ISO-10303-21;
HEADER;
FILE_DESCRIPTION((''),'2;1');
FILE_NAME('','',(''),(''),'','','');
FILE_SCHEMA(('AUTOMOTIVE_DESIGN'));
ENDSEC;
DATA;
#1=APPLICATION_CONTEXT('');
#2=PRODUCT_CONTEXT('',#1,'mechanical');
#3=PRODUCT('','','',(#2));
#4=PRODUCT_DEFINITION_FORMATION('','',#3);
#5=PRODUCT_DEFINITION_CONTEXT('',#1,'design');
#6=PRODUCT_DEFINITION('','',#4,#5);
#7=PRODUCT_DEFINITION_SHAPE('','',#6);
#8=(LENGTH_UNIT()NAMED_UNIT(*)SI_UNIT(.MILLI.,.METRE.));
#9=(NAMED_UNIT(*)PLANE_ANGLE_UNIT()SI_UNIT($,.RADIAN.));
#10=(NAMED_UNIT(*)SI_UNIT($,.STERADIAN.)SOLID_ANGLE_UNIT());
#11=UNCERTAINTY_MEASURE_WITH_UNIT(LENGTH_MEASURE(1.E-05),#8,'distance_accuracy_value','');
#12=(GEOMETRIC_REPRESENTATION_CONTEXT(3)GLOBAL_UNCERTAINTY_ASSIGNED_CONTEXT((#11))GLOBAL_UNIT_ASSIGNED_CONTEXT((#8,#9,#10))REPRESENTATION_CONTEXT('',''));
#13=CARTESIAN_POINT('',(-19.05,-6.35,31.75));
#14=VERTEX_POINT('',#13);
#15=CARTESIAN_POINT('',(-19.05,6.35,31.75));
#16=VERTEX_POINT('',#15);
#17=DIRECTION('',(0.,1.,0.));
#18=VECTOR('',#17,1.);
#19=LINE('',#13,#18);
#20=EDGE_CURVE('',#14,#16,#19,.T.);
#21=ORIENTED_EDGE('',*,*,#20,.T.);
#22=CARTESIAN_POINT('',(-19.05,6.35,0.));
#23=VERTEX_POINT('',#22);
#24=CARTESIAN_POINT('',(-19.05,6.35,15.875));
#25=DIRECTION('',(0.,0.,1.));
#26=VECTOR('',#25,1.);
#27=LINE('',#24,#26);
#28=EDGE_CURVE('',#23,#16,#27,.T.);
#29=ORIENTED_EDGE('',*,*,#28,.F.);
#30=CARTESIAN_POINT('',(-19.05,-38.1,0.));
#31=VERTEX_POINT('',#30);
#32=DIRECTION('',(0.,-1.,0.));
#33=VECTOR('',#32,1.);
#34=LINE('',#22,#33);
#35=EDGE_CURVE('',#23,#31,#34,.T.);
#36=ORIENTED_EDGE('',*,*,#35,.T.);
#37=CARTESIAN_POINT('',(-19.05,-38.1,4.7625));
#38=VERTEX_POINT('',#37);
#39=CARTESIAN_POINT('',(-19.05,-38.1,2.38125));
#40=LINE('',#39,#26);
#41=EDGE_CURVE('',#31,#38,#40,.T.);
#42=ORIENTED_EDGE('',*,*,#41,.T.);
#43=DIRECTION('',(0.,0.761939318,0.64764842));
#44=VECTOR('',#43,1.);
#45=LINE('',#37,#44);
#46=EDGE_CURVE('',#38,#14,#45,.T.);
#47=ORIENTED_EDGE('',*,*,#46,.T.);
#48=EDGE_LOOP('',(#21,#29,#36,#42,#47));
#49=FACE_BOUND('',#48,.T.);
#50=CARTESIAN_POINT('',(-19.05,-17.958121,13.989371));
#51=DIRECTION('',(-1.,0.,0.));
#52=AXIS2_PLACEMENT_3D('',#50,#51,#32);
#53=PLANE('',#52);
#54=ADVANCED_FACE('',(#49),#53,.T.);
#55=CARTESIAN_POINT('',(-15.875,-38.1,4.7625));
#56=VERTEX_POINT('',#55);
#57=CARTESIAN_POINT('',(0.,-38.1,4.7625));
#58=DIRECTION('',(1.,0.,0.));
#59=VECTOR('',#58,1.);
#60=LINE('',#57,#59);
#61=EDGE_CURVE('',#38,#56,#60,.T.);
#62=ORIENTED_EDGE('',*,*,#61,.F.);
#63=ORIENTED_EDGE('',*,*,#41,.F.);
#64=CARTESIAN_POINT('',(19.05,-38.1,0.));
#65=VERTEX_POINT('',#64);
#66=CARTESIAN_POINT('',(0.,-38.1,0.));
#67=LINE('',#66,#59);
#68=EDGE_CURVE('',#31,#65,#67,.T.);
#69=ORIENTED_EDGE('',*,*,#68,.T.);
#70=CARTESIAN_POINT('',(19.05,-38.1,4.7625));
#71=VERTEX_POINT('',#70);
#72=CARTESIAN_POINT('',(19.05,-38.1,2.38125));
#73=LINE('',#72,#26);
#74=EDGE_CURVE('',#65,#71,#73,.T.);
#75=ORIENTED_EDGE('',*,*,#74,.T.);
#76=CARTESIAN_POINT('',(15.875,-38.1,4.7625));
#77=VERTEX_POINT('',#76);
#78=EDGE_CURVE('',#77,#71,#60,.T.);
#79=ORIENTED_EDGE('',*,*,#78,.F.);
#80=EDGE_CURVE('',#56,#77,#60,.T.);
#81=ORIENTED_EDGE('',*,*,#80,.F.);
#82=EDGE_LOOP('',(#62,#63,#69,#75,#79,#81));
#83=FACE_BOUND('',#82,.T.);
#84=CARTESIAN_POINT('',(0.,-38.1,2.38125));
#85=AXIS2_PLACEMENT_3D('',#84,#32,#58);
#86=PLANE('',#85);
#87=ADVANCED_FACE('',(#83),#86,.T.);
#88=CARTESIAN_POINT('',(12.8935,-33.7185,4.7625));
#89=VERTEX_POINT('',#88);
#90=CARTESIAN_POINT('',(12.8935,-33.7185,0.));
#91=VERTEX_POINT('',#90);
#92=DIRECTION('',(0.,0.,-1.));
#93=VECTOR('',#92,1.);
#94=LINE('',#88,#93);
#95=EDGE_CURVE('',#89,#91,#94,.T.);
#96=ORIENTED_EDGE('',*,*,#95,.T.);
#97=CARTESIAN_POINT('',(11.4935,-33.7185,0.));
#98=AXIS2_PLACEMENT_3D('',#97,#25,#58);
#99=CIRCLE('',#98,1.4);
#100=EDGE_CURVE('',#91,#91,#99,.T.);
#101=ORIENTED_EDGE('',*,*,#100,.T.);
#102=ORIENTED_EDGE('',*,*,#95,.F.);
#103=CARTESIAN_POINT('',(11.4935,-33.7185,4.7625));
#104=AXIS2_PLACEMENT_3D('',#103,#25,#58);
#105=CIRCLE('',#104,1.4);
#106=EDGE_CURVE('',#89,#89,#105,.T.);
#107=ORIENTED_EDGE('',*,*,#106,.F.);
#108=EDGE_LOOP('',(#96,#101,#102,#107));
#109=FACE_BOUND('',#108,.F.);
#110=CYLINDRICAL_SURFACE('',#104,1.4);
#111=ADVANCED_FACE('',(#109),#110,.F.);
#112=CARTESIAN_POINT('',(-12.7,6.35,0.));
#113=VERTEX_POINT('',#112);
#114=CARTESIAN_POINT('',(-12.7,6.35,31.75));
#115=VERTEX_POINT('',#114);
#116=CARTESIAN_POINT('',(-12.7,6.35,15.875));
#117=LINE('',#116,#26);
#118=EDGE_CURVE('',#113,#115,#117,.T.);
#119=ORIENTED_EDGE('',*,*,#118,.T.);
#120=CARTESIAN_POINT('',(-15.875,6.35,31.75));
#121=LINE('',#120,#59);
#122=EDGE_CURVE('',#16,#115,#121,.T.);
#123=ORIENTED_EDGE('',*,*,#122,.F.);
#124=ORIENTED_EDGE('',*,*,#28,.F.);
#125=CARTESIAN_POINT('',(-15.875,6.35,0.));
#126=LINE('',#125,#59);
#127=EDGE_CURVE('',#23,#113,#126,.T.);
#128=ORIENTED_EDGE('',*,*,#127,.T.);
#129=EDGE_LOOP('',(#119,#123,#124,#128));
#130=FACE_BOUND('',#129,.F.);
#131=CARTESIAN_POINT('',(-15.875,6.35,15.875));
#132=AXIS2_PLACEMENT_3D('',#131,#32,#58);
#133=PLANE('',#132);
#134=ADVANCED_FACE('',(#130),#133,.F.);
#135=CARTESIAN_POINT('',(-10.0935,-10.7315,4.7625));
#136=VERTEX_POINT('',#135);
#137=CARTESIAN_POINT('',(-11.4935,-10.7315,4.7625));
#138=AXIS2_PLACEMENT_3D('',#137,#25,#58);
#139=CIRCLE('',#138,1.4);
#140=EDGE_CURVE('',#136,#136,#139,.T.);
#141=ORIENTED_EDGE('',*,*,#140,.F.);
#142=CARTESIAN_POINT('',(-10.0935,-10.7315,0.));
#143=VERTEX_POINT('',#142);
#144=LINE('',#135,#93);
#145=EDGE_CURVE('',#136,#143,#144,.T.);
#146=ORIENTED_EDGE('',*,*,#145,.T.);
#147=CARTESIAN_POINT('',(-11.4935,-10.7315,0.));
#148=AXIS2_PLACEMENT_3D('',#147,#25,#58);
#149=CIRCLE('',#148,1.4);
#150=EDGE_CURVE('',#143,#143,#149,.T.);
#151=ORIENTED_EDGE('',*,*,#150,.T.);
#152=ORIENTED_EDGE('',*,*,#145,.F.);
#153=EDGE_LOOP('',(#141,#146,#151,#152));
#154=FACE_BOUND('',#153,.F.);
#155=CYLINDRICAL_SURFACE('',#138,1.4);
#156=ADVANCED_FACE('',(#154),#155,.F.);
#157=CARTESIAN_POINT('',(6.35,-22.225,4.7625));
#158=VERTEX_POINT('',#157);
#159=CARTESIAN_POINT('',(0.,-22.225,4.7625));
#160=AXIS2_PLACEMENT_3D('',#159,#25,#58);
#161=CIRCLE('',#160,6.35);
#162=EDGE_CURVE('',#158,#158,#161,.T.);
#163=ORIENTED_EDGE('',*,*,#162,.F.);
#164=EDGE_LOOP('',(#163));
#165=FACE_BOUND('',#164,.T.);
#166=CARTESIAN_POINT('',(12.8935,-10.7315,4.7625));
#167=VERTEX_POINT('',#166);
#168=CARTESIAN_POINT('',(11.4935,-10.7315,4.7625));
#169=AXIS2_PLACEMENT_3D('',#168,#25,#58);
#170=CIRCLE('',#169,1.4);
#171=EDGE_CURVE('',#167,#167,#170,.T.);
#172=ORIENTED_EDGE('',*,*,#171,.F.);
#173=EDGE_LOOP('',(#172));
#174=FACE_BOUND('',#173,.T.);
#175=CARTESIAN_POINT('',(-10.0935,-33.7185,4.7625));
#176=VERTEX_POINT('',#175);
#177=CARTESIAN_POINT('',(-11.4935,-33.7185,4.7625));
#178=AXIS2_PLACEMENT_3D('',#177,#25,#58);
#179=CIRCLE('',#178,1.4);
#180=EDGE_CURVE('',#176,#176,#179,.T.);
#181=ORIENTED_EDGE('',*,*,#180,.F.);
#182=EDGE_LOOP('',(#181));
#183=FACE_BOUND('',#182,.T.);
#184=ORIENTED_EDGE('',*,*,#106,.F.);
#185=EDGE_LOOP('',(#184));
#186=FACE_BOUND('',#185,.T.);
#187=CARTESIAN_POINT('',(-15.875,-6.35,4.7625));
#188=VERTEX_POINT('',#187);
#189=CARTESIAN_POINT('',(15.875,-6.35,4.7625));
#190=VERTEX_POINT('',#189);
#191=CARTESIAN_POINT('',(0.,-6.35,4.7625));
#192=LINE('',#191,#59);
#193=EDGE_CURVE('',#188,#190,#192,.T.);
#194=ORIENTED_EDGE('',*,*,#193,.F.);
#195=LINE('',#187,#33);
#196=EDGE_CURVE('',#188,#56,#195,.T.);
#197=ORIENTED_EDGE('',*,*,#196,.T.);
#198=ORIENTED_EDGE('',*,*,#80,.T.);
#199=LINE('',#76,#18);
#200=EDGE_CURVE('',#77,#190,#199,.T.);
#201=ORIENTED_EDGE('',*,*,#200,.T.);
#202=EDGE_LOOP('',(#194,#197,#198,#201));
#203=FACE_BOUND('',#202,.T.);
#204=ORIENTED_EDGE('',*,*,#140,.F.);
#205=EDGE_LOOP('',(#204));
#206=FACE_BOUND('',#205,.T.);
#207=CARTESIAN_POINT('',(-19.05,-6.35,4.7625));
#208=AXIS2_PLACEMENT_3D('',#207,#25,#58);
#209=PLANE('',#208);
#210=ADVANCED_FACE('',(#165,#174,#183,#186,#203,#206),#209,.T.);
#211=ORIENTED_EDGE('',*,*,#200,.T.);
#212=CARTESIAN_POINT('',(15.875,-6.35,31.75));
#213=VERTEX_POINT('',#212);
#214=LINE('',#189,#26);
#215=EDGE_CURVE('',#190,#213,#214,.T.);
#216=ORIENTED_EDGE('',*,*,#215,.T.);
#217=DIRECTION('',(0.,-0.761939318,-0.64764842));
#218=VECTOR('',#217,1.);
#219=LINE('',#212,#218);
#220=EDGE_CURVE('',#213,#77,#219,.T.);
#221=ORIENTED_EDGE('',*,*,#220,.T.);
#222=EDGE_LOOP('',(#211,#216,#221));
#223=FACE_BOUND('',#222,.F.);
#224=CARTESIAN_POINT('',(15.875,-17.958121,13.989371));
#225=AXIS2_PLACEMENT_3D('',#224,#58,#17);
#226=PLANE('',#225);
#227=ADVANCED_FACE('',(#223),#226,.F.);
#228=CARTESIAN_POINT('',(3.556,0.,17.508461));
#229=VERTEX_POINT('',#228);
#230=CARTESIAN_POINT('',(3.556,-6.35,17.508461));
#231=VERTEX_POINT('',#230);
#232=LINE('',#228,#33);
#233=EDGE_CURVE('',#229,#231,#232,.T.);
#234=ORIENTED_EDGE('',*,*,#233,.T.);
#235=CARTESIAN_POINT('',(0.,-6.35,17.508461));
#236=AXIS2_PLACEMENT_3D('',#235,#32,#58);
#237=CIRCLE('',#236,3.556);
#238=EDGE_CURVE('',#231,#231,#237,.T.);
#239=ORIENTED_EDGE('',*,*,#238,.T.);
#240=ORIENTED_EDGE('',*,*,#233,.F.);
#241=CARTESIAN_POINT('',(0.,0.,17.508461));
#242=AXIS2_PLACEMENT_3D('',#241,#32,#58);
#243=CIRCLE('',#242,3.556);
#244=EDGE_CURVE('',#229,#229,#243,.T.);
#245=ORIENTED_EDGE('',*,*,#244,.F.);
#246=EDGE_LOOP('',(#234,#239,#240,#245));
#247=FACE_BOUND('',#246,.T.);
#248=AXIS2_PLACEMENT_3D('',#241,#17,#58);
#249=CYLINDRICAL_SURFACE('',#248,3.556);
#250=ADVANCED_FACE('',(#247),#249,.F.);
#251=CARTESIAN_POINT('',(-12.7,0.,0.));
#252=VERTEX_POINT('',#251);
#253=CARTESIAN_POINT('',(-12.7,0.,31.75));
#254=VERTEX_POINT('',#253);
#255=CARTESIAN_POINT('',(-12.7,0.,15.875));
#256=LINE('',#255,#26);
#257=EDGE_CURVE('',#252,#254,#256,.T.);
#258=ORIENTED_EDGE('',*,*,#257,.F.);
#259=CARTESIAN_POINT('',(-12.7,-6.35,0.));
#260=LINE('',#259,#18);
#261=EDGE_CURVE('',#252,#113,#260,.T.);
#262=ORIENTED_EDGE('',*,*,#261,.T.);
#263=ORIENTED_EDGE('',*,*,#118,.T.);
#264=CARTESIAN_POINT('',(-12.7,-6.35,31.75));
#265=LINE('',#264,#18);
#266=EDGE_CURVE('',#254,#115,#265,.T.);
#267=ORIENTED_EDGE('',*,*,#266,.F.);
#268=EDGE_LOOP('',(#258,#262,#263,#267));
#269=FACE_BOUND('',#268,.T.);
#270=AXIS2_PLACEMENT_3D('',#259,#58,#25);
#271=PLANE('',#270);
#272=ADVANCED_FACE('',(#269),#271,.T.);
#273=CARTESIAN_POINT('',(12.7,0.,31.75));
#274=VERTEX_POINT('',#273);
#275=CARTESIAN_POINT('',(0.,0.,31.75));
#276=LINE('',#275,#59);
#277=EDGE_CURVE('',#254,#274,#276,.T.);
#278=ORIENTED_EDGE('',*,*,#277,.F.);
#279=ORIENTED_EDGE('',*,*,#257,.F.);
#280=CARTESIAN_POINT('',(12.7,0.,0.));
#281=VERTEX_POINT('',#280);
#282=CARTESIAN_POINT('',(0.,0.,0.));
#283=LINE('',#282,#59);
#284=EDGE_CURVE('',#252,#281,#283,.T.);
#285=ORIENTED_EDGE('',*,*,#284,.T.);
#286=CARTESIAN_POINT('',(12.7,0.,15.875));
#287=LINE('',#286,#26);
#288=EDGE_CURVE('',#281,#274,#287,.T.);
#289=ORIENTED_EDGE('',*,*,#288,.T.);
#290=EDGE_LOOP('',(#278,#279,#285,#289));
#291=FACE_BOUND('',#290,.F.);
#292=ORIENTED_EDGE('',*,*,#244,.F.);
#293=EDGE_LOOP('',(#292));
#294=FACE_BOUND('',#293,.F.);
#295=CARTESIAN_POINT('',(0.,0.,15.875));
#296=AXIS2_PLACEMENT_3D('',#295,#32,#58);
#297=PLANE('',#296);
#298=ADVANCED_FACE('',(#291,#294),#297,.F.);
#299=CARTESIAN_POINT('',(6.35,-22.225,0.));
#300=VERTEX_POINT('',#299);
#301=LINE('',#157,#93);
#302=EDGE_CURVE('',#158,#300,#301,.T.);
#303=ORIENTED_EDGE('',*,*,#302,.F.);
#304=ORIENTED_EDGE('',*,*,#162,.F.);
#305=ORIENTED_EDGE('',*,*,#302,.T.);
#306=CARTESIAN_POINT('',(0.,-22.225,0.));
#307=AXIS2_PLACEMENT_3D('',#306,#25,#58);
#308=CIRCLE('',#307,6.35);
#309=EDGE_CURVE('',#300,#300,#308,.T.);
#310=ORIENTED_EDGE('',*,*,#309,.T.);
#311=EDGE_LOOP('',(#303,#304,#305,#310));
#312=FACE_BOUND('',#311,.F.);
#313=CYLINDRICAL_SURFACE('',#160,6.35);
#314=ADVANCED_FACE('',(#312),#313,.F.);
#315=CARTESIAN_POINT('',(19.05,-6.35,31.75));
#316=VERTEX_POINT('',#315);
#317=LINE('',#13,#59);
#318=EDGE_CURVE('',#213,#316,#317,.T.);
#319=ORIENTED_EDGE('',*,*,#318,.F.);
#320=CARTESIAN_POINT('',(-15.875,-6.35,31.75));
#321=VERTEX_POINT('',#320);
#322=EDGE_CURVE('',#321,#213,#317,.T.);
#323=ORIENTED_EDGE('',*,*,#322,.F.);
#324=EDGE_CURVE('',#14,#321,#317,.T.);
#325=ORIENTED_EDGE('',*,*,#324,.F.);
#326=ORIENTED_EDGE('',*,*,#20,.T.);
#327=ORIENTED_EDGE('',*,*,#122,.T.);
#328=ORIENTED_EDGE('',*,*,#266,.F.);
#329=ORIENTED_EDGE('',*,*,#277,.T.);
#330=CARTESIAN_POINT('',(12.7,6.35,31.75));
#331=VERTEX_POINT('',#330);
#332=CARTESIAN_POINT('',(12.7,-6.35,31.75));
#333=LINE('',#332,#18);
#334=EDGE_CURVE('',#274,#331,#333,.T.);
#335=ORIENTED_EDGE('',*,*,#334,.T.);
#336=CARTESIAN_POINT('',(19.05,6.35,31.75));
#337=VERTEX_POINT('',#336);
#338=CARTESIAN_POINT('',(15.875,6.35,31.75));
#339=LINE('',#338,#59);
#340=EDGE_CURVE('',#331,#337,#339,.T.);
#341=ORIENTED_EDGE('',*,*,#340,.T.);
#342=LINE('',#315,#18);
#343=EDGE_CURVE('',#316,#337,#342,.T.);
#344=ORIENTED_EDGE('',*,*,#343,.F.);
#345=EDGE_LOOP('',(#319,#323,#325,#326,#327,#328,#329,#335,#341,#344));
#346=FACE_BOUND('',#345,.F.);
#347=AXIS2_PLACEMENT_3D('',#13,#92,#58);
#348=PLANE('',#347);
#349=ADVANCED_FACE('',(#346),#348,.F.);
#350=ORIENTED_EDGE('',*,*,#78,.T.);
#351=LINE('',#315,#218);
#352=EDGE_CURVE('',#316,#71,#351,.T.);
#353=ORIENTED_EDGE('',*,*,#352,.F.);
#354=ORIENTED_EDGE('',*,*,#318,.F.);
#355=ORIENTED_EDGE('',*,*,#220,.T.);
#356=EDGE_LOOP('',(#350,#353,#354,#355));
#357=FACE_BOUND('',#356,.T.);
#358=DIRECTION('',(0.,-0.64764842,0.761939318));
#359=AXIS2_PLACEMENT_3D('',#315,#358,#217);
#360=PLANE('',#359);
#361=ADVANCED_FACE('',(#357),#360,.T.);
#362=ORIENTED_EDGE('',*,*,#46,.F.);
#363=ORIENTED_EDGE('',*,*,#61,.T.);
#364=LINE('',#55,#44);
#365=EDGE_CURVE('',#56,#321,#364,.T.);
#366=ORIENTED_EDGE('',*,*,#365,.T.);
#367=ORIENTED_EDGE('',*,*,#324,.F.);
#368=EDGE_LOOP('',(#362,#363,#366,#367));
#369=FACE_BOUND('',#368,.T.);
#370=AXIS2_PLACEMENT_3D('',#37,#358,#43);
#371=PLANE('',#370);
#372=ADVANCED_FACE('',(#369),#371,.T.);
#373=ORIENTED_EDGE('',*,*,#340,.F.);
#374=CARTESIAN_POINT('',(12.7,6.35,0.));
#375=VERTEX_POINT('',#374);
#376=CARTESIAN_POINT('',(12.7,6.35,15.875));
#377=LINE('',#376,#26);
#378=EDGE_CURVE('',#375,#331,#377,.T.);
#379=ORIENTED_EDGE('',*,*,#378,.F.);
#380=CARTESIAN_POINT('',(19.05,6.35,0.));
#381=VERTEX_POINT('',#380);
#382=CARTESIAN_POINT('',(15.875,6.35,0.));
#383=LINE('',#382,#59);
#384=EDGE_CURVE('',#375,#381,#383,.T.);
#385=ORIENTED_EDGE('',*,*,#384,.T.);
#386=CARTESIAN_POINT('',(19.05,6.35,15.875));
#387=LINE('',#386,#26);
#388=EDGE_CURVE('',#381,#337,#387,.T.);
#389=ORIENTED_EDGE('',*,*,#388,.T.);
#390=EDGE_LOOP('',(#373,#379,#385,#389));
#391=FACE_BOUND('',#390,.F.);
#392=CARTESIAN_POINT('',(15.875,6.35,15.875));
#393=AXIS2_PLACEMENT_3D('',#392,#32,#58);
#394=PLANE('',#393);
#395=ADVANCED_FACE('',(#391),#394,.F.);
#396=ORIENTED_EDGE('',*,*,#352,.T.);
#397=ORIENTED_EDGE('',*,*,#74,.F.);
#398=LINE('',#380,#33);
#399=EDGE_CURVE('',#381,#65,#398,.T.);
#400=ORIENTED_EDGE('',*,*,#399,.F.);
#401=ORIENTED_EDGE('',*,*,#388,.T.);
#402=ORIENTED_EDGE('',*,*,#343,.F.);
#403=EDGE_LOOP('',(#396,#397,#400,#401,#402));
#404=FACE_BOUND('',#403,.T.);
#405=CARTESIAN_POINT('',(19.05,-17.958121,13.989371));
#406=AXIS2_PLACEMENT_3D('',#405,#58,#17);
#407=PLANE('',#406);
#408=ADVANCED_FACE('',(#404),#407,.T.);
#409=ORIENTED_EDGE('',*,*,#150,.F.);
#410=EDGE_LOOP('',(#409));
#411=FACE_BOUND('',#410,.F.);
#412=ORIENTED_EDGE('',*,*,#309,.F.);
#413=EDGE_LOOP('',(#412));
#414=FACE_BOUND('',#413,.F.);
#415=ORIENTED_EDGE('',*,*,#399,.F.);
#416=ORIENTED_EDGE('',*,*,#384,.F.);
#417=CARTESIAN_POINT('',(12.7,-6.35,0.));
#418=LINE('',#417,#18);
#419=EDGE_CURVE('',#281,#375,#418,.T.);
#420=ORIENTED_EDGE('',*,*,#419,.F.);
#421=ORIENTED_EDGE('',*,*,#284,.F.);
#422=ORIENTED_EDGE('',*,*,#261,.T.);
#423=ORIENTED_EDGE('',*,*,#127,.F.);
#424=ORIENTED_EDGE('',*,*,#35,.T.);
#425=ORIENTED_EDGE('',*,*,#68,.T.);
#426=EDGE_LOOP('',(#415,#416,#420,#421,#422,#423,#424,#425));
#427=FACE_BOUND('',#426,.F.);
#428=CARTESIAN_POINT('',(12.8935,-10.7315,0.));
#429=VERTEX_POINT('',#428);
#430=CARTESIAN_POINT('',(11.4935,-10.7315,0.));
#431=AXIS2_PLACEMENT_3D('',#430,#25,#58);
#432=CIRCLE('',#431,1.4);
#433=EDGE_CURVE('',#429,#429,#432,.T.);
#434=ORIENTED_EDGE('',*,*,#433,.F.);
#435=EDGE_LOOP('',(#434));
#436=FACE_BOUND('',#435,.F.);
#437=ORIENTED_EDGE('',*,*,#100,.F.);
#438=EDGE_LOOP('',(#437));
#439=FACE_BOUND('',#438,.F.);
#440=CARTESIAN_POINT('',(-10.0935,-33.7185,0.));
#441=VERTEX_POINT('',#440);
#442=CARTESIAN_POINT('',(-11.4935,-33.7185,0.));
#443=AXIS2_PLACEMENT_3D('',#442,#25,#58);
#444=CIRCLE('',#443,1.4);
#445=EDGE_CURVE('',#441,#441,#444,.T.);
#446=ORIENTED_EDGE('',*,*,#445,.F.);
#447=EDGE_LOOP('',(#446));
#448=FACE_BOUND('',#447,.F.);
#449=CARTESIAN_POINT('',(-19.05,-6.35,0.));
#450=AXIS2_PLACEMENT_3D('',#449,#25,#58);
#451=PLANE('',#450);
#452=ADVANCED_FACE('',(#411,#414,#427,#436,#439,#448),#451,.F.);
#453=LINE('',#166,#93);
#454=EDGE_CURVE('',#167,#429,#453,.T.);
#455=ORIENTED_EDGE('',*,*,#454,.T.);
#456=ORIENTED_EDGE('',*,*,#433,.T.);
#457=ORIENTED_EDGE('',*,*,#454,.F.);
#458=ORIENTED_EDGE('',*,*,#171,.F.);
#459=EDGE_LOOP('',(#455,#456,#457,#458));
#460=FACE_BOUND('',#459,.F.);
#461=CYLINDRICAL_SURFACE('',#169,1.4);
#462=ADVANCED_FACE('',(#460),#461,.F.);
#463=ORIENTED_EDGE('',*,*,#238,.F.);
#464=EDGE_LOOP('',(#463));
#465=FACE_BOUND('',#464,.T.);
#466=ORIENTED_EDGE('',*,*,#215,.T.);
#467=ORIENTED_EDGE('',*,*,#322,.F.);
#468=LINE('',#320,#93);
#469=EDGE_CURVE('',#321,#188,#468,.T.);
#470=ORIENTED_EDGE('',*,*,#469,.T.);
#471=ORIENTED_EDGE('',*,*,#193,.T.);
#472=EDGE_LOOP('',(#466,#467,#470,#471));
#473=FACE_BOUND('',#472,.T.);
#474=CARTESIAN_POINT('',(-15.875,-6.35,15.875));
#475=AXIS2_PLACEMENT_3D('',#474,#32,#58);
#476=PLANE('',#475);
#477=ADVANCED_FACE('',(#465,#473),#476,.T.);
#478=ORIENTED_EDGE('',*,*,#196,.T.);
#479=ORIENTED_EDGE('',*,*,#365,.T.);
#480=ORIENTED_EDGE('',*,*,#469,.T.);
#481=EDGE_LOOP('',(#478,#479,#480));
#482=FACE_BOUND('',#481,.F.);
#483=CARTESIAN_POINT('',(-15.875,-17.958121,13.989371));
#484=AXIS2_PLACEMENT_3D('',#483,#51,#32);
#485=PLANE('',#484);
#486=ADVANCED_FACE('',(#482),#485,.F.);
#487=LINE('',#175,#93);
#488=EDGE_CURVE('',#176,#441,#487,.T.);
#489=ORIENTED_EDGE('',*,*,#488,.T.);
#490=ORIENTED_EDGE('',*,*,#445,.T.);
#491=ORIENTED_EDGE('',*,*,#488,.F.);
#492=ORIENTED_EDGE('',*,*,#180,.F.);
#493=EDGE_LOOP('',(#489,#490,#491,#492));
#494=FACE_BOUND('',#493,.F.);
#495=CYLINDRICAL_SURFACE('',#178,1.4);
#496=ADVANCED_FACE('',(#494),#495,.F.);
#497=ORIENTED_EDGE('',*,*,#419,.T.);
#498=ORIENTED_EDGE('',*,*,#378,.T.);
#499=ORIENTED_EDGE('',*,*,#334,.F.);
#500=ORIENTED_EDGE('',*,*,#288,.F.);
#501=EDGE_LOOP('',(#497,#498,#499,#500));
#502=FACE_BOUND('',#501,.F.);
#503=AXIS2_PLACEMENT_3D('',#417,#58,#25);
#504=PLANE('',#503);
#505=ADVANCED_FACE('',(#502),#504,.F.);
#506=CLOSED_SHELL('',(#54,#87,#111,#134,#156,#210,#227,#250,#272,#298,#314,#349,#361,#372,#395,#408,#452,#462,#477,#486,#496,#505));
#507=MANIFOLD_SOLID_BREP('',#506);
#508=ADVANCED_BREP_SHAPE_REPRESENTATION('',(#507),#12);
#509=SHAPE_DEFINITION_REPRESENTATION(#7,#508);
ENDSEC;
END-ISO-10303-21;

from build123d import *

# Parameters (mm, degrees)
F0_W      = 25.4
F0_H      = 31.75
F1_DEPTH  = 6.35
F2_W      = 6.35
F2_H      = 31.75
F3_DEPTH  = 12.7
F4_W      = 38.1
F4_H      = 4.7625
F5_DEPTH  = 31.75
F7_DEPTH  = 3.175
F9_DEPTH  = 3.175
F10_R     = 3.556
F11_DEPTH = 6.35
F12_R     = 1.4
F12_R_2   = 6.35
F13_DEPTH = 4.7625


with BuildPart() as f1:
    # F0 (on Front) → F1 (new body)
    with BuildSketch(Plane.XZ):
        with Locations((0, 15.875)):
            Rectangle(F0_W, F0_H)
    extrude(amount=F1_DEPTH)

    # F2 (on face) → F3 (join)
    with BuildSketch(Plane.XZ.offset(6.35)):
        with Locations((-15.875, 15.875)):
            Rectangle(F2_W, F2_H)
        with Locations((15.875, 15.875)):
            Rectangle(F2_W, F2_H)
    extrude(amount=-F3_DEPTH)

    # F4 (on face) → F5 (join)
    with BuildSketch(Plane.XZ.offset(6.35)):
        with Locations((0, 2.38125)):
            Rectangle(F4_W, F4_H)
    extrude(amount=F5_DEPTH)

    # F6 (on face) → F7 (join)
    with BuildSketch(Plane(origin=(-19.05, 0, 0), x_dir=(0, -1, 0), z_dir=(-1, 0, 0))):
        Polygon((38.1, 4.7625), (6.35, 31.75), (6.35, 4.7625), align=None)
    extrude(amount=-F7_DEPTH)

    # F8 (on face) → F9 (join)
    with BuildSketch(Plane.YZ.offset(19.05)):
        Polygon((-6.35, 4.7625), (-6.35, 31.75), (-38.1, 4.7625), align=None)
    extrude(amount=-F9_DEPTH)

    # F10 (on Front) → F11 (cut)
    with BuildSketch(Plane.XZ):
        with Locations((0, 17.508461)):
            Circle(F10_R)
    extrude(amount=F11_DEPTH, mode=Mode.SUBTRACT)

    # F12 (on face) → F13 (cut, through all)
    with BuildSketch(Plane.XY.offset(4.7625)):
        with Locations((11.4935, -33.7185)):
            Circle(F12_R)
        with Locations((-11.4935, -33.7185)):
            Circle(F12_R)
        with Locations((11.4935, -10.7315)):
            Circle(F12_R)
        with Locations((-11.4935, -10.7315)):
            Circle(F12_R)
        with Locations((0, -22.225)):
            Circle(F12_R_2)
    extrude(amount=-F13_DEPTH, mode=Mode.SUBTRACT)


solid = f1.part
